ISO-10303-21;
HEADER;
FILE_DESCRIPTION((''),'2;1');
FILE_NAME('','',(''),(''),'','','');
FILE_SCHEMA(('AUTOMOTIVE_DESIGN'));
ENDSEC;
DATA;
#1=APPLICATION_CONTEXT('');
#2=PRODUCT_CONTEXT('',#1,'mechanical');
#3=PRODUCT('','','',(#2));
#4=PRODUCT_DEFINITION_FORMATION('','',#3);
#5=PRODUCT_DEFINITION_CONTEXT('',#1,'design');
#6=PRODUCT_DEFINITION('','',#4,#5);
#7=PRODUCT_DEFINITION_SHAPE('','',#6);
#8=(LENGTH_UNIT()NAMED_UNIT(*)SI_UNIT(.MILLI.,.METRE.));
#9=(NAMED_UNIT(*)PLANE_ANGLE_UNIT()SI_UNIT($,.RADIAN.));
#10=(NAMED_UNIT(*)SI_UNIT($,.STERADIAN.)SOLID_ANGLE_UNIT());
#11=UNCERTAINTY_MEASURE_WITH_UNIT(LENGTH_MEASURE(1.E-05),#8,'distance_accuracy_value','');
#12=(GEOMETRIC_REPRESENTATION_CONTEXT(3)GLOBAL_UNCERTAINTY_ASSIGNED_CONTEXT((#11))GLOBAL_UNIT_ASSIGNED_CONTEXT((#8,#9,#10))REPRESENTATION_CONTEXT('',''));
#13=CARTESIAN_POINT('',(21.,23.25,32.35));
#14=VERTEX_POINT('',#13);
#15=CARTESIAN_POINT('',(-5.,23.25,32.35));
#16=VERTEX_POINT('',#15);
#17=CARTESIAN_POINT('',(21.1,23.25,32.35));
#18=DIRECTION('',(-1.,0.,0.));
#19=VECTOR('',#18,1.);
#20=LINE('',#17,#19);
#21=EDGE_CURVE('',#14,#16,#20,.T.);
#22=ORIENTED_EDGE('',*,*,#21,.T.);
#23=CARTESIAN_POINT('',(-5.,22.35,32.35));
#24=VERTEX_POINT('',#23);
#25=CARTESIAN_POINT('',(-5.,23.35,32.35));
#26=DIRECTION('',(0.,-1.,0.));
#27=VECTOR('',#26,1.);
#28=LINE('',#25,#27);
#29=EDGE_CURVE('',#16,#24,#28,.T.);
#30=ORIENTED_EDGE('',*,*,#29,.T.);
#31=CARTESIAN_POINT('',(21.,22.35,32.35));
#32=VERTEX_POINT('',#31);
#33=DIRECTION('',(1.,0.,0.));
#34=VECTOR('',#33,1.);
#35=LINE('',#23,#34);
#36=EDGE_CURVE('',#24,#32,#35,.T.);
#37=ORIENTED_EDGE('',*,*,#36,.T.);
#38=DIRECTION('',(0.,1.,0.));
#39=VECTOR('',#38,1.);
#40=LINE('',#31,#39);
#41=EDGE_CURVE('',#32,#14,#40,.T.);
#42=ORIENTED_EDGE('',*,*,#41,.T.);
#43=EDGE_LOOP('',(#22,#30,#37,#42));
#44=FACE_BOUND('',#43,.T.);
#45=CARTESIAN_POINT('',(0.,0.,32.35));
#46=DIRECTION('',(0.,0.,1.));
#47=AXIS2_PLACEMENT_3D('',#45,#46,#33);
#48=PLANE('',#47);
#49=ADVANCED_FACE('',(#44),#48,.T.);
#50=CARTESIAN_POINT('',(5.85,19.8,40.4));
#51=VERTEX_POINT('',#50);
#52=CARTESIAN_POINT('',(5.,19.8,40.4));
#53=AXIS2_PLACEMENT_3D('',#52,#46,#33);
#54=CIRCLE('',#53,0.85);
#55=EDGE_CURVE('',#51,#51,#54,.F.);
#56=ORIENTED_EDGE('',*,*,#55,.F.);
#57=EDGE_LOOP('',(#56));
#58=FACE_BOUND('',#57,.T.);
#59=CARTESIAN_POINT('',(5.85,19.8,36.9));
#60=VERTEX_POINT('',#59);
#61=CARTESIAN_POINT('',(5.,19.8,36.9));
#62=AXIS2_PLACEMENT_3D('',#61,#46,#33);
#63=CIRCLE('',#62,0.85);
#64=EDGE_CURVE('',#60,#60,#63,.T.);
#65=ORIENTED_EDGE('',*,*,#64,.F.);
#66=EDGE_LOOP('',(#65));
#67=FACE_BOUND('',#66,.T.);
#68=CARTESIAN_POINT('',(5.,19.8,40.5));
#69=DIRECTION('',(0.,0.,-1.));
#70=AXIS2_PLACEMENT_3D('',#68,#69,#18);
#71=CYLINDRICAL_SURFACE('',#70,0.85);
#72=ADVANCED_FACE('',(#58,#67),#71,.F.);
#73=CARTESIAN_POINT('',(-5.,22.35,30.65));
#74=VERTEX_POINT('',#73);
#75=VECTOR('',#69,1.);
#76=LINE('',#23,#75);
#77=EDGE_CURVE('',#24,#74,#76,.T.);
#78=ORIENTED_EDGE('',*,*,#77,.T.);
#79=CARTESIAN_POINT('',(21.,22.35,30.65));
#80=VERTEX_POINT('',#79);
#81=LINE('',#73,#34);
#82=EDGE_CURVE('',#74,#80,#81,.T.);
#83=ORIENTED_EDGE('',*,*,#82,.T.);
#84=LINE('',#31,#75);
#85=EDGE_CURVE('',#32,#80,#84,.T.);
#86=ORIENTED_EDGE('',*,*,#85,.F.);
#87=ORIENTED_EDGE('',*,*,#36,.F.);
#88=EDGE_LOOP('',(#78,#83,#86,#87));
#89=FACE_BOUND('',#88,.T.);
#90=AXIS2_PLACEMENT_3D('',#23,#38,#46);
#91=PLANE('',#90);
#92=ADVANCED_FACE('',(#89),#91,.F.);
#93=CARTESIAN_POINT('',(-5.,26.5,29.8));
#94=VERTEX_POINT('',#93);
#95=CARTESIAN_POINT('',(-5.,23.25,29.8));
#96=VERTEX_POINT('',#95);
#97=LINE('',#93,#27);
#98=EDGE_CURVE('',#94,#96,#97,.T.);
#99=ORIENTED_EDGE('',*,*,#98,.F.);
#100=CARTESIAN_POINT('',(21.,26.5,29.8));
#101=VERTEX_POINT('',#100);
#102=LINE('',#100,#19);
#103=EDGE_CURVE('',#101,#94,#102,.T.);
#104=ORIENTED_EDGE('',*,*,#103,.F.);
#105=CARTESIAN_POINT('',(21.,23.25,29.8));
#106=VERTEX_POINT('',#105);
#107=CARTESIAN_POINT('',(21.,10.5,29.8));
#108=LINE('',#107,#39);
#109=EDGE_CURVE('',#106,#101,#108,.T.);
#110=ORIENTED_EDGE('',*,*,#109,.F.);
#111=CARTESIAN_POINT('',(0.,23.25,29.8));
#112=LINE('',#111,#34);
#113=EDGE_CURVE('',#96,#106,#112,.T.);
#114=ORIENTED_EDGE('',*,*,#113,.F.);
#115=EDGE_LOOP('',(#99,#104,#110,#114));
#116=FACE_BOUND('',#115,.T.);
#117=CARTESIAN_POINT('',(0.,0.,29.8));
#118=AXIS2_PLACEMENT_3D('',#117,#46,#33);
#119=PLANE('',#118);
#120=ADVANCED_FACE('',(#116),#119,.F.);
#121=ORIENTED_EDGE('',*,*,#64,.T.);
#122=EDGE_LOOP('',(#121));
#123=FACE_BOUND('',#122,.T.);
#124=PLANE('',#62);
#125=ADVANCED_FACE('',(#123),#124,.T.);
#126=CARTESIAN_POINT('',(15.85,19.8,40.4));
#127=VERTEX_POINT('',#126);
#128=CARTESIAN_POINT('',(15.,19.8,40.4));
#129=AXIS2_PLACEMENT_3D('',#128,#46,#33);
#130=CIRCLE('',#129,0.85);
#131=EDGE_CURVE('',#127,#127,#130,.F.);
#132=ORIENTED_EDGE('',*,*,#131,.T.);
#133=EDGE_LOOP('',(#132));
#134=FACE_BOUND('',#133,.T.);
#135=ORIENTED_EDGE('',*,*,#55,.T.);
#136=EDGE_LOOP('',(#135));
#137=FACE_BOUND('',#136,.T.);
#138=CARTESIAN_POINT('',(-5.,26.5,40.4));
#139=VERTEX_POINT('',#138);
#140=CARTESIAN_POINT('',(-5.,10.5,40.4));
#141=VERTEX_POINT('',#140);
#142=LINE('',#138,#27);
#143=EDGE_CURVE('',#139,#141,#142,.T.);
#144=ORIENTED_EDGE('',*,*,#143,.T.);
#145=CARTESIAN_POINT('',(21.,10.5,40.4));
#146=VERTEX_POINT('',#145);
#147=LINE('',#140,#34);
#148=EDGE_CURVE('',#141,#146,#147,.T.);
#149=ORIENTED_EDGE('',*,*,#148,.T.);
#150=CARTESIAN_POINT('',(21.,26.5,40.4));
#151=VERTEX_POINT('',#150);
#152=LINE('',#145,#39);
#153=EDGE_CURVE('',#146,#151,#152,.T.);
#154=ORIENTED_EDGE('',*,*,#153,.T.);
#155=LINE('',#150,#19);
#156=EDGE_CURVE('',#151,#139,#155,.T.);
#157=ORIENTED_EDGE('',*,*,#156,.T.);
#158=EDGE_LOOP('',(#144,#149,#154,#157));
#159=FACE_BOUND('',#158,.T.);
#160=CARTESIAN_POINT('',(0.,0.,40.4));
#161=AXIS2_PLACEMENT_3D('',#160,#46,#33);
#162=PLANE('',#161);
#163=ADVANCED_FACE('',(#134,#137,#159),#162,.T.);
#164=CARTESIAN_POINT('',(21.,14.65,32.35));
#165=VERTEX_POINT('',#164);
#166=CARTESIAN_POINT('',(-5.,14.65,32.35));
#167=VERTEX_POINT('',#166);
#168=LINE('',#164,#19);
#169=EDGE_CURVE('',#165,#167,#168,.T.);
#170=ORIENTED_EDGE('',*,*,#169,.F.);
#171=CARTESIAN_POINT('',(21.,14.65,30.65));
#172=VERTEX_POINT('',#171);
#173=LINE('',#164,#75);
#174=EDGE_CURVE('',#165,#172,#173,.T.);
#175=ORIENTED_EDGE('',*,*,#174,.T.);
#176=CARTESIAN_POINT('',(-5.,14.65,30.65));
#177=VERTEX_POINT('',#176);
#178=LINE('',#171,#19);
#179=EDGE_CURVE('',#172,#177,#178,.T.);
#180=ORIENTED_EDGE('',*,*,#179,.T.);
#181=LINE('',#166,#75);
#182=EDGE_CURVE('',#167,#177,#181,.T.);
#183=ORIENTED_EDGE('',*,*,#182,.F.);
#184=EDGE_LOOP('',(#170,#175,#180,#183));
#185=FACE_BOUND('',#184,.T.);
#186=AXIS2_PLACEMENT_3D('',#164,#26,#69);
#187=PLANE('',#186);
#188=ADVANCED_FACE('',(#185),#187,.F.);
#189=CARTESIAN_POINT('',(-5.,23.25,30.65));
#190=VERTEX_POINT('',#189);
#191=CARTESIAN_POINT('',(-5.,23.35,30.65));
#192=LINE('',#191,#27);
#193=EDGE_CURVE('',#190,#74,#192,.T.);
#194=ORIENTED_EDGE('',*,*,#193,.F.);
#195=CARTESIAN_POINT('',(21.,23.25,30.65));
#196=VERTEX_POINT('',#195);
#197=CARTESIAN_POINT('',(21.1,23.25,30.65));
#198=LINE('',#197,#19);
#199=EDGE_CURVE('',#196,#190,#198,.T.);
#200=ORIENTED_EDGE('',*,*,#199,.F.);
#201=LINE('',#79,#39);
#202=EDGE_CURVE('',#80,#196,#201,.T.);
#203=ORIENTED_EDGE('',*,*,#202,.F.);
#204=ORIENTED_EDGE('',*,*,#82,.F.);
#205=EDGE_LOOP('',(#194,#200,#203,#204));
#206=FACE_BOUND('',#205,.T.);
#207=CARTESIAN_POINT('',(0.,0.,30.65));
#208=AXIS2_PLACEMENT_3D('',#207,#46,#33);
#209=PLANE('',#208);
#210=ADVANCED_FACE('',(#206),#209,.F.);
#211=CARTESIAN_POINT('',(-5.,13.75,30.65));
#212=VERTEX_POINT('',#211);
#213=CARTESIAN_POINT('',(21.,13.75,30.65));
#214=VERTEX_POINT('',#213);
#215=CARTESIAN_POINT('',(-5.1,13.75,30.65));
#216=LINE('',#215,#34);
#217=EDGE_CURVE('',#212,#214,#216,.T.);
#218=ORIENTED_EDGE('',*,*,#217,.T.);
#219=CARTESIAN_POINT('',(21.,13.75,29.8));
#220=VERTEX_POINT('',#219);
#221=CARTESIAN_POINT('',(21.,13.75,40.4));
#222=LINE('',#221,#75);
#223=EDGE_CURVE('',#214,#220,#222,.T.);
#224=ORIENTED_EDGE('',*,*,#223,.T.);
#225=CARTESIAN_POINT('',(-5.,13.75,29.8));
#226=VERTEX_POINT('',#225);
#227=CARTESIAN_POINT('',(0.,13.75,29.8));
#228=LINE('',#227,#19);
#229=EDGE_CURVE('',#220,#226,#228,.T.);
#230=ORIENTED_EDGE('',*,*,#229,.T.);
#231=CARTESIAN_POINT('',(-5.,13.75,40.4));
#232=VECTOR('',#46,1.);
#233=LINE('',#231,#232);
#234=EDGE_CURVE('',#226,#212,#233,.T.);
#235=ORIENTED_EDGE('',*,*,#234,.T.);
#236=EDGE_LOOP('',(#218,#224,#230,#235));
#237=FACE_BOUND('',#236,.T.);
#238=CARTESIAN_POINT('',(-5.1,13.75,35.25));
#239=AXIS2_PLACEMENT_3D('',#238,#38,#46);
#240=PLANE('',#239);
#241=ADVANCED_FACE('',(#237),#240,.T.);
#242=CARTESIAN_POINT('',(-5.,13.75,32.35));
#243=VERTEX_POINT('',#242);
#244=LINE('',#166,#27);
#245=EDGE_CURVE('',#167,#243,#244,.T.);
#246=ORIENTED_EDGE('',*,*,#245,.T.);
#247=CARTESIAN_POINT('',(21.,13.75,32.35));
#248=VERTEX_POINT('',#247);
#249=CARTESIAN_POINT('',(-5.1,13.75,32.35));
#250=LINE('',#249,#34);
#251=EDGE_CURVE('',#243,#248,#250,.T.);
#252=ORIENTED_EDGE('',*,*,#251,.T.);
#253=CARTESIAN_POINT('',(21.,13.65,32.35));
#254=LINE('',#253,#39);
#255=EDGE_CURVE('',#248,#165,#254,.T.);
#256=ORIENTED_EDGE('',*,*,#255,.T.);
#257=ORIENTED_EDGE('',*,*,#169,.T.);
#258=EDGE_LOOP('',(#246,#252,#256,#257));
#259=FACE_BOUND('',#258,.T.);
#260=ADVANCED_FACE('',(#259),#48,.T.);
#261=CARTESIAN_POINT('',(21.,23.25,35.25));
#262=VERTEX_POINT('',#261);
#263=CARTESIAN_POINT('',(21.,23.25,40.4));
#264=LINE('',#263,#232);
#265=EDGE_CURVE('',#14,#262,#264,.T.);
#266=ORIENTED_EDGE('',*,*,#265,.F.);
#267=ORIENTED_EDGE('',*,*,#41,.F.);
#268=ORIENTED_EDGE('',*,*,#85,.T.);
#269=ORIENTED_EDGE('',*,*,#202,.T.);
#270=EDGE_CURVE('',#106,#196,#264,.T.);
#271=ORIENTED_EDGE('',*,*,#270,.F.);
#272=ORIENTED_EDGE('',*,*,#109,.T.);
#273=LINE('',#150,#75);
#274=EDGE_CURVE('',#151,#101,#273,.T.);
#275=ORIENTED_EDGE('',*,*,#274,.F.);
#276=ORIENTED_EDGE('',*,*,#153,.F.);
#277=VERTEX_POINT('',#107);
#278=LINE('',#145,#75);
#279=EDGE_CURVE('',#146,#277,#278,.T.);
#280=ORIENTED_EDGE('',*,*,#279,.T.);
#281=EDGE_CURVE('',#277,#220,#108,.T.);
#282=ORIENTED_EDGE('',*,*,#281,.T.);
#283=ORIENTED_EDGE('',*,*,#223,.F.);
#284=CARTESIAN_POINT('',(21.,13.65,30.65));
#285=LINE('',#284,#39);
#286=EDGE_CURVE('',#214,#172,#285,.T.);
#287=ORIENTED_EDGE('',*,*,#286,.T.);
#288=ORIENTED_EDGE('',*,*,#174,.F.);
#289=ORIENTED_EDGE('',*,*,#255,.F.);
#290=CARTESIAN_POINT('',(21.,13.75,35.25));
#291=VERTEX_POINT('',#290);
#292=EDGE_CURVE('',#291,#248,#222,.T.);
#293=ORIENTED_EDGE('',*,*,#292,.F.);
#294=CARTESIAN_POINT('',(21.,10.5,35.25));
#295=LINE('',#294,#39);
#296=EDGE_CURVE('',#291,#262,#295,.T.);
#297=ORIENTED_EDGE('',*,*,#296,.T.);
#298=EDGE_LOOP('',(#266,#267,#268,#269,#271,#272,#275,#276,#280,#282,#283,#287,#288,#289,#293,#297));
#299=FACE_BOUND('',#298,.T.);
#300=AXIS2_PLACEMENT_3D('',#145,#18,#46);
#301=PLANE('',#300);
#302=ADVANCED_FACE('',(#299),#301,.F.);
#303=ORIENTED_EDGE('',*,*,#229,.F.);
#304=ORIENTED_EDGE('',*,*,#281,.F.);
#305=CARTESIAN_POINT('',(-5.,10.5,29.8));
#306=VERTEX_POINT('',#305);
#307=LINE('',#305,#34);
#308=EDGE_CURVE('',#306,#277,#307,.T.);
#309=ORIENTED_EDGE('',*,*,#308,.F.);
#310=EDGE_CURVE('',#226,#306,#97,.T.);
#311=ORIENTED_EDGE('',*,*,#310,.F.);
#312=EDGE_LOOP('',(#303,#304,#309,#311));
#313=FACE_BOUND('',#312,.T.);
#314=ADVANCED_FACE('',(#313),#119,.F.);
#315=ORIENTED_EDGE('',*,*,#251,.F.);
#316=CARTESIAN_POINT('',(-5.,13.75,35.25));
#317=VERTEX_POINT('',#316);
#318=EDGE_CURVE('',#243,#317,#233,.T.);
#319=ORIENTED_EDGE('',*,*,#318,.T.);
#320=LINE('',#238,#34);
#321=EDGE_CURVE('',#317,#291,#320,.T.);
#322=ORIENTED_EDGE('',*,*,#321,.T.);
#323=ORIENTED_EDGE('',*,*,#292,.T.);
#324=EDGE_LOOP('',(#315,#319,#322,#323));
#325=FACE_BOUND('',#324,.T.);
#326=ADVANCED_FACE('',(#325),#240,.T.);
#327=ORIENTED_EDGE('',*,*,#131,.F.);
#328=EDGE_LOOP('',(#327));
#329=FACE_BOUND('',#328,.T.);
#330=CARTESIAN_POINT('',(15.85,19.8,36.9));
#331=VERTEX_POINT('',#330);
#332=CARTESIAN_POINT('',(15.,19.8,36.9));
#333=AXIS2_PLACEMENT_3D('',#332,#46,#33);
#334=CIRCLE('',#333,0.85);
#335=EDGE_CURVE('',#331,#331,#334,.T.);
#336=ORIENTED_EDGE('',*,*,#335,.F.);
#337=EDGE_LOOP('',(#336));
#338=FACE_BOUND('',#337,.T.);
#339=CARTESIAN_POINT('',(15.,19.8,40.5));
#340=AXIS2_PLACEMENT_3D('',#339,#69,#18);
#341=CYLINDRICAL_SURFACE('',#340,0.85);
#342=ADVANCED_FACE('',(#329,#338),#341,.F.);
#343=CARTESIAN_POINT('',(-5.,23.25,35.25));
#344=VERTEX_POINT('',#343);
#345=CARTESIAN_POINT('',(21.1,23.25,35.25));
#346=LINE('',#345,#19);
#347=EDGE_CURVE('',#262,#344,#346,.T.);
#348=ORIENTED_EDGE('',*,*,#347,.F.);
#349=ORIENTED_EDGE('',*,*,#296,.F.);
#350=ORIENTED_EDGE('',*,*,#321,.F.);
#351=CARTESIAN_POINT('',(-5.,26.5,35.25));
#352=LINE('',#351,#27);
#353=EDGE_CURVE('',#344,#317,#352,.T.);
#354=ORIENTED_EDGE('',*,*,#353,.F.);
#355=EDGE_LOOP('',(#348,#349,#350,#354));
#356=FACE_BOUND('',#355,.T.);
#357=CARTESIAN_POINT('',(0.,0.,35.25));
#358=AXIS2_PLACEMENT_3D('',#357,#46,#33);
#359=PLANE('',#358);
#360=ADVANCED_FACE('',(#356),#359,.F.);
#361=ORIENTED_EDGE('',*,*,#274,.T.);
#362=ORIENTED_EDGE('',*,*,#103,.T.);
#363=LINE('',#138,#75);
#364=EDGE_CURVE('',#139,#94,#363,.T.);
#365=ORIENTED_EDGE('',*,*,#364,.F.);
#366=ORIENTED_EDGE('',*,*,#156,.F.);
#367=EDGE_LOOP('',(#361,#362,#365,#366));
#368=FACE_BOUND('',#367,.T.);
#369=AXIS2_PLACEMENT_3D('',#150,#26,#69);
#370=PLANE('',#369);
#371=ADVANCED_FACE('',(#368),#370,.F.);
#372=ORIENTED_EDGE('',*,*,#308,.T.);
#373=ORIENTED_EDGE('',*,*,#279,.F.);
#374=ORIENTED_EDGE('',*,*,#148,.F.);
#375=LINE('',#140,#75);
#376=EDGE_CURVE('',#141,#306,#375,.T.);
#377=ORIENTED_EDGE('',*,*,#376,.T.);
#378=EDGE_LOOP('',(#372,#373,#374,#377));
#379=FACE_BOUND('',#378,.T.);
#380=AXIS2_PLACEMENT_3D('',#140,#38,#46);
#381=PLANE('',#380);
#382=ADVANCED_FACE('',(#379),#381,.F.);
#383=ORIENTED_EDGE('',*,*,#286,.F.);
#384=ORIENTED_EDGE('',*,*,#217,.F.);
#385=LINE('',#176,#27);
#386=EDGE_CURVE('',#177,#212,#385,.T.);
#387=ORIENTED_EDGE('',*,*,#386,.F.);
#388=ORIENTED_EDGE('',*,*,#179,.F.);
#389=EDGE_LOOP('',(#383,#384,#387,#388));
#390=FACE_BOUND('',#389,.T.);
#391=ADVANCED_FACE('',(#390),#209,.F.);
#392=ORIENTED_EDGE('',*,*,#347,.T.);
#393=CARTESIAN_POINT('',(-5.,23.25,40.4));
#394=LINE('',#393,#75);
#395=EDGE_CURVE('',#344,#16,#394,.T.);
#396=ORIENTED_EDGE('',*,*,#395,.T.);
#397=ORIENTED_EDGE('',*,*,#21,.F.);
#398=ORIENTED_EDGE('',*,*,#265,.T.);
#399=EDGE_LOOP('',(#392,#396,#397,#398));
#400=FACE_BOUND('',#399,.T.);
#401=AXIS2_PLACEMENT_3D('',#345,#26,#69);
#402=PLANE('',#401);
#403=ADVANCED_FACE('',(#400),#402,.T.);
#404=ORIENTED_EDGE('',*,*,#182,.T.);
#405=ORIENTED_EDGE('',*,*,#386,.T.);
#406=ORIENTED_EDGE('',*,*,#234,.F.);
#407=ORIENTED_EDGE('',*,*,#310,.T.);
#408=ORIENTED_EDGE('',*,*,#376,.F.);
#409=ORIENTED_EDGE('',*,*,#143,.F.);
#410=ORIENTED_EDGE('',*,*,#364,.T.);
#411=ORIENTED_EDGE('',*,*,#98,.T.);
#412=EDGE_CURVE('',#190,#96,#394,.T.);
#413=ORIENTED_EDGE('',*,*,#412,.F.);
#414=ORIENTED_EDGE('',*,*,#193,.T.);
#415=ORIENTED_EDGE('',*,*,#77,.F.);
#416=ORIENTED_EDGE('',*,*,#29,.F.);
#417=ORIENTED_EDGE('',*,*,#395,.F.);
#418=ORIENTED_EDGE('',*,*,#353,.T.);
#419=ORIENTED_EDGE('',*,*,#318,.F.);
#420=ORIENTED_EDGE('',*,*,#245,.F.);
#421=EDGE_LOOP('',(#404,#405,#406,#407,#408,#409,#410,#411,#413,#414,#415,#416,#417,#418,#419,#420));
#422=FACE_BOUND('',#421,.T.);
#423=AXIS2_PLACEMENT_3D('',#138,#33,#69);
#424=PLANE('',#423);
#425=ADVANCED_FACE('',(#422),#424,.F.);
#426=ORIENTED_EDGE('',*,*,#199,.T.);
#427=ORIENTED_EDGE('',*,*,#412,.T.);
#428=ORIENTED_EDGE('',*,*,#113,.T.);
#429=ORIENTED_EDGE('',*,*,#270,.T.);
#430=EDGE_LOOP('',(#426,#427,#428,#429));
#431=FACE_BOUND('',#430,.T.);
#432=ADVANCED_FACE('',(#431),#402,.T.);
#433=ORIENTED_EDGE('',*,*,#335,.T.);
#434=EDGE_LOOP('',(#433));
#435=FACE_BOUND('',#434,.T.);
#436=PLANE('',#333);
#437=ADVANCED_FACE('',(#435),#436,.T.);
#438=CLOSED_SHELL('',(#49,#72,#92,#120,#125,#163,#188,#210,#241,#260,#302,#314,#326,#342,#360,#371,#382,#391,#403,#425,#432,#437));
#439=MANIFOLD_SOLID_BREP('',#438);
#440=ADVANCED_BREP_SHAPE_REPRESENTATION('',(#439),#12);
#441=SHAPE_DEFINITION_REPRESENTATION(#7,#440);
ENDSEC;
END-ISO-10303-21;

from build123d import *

# Parameters (mm, degrees)
CARRIAGE_START                    = 29.8
CARRIAGE_BLOCK_PROFILE_W          = 26
CARRIAGE_BLOCK_PROFILE_H          = 16
CARRIAGE_BLOCK_DEPTH              = 10.6
RAIL_START                        = 29.7
RAIL_RUNNING_CLEARANCE_PROFILE_W  = 26.2
RAIL_RUNNING_CLEARANCE_PROFILE_H  = 9.5
RAIL_RUNNING_CLEARANCE_DEPTH      = 5.55
LONGITUDINAL_START                = 30.65
LONGITUDINAL_GUIDE_KEYS_PROFILE_W = 26
LONGITUDINAL_GUIDE_KEYS_PROFILE_H = 1
LONGITUDINAL_GUIDE_KEYS_DEPTH     = 1.7
CARRIAGE_START_2                  = 36.9
CARRIAGE_SCREW_PILOTS_PROFILE_R   = 0.85
CARRIAGE_SCREW_PILOTS_DEPTH       = 3.6


with BuildPart() as part:
    # Carriage block profile → Carriage block (new body)
    with BuildSketch(Plane.XY.offset(CARRIAGE_START)):
        with Locations((8, 18.5)):
            Rectangle(CARRIAGE_BLOCK_PROFILE_W, CARRIAGE_BLOCK_PROFILE_H)
    extrude(amount=CARRIAGE_BLOCK_DEPTH)

    # Rail running clearance profile → Rail running clearance (cut)
    with BuildSketch(Plane.XY.offset(RAIL_START)):
        with Locations((8, 18.5)):
            Rectangle(RAIL_RUNNING_CLEARANCE_PROFILE_W, RAIL_RUNNING_CLEARANCE_PROFILE_H)
    extrude(amount=RAIL_RUNNING_CLEARANCE_DEPTH, mode=Mode.SUBTRACT)

    # Longitudinal guide keys profile → Longitudinal guide keys (add)
    with BuildSketch(Plane.XY.offset(LONGITUDINAL_START)):
        with Locations((8, 14.15)):
            Rectangle(LONGITUDINAL_GUIDE_KEYS_PROFILE_W, LONGITUDINAL_GUIDE_KEYS_PROFILE_H)
        with Locations((8, 22.85)):
            Rectangle(LONGITUDINAL_GUIDE_KEYS_PROFILE_W, LONGITUDINAL_GUIDE_KEYS_PROFILE_H)
    extrude(amount=LONGITUDINAL_GUIDE_KEYS_DEPTH)

    # Carriage screw pilots profile → Carriage screw pilots (cut)
    with BuildSketch(Plane.XY.offset(CARRIAGE_START_2)):
        with Locations((5, 19.8)):
            Circle(CARRIAGE_SCREW_PILOTS_PROFILE_R)
        with Locations((15, 19.8)):
            Circle(CARRIAGE_SCREW_PILOTS_PROFILE_R)
    extrude(amount=CARRIAGE_SCREW_PILOTS_DEPTH, mode=Mode.SUBTRACT)


solid = part.part
